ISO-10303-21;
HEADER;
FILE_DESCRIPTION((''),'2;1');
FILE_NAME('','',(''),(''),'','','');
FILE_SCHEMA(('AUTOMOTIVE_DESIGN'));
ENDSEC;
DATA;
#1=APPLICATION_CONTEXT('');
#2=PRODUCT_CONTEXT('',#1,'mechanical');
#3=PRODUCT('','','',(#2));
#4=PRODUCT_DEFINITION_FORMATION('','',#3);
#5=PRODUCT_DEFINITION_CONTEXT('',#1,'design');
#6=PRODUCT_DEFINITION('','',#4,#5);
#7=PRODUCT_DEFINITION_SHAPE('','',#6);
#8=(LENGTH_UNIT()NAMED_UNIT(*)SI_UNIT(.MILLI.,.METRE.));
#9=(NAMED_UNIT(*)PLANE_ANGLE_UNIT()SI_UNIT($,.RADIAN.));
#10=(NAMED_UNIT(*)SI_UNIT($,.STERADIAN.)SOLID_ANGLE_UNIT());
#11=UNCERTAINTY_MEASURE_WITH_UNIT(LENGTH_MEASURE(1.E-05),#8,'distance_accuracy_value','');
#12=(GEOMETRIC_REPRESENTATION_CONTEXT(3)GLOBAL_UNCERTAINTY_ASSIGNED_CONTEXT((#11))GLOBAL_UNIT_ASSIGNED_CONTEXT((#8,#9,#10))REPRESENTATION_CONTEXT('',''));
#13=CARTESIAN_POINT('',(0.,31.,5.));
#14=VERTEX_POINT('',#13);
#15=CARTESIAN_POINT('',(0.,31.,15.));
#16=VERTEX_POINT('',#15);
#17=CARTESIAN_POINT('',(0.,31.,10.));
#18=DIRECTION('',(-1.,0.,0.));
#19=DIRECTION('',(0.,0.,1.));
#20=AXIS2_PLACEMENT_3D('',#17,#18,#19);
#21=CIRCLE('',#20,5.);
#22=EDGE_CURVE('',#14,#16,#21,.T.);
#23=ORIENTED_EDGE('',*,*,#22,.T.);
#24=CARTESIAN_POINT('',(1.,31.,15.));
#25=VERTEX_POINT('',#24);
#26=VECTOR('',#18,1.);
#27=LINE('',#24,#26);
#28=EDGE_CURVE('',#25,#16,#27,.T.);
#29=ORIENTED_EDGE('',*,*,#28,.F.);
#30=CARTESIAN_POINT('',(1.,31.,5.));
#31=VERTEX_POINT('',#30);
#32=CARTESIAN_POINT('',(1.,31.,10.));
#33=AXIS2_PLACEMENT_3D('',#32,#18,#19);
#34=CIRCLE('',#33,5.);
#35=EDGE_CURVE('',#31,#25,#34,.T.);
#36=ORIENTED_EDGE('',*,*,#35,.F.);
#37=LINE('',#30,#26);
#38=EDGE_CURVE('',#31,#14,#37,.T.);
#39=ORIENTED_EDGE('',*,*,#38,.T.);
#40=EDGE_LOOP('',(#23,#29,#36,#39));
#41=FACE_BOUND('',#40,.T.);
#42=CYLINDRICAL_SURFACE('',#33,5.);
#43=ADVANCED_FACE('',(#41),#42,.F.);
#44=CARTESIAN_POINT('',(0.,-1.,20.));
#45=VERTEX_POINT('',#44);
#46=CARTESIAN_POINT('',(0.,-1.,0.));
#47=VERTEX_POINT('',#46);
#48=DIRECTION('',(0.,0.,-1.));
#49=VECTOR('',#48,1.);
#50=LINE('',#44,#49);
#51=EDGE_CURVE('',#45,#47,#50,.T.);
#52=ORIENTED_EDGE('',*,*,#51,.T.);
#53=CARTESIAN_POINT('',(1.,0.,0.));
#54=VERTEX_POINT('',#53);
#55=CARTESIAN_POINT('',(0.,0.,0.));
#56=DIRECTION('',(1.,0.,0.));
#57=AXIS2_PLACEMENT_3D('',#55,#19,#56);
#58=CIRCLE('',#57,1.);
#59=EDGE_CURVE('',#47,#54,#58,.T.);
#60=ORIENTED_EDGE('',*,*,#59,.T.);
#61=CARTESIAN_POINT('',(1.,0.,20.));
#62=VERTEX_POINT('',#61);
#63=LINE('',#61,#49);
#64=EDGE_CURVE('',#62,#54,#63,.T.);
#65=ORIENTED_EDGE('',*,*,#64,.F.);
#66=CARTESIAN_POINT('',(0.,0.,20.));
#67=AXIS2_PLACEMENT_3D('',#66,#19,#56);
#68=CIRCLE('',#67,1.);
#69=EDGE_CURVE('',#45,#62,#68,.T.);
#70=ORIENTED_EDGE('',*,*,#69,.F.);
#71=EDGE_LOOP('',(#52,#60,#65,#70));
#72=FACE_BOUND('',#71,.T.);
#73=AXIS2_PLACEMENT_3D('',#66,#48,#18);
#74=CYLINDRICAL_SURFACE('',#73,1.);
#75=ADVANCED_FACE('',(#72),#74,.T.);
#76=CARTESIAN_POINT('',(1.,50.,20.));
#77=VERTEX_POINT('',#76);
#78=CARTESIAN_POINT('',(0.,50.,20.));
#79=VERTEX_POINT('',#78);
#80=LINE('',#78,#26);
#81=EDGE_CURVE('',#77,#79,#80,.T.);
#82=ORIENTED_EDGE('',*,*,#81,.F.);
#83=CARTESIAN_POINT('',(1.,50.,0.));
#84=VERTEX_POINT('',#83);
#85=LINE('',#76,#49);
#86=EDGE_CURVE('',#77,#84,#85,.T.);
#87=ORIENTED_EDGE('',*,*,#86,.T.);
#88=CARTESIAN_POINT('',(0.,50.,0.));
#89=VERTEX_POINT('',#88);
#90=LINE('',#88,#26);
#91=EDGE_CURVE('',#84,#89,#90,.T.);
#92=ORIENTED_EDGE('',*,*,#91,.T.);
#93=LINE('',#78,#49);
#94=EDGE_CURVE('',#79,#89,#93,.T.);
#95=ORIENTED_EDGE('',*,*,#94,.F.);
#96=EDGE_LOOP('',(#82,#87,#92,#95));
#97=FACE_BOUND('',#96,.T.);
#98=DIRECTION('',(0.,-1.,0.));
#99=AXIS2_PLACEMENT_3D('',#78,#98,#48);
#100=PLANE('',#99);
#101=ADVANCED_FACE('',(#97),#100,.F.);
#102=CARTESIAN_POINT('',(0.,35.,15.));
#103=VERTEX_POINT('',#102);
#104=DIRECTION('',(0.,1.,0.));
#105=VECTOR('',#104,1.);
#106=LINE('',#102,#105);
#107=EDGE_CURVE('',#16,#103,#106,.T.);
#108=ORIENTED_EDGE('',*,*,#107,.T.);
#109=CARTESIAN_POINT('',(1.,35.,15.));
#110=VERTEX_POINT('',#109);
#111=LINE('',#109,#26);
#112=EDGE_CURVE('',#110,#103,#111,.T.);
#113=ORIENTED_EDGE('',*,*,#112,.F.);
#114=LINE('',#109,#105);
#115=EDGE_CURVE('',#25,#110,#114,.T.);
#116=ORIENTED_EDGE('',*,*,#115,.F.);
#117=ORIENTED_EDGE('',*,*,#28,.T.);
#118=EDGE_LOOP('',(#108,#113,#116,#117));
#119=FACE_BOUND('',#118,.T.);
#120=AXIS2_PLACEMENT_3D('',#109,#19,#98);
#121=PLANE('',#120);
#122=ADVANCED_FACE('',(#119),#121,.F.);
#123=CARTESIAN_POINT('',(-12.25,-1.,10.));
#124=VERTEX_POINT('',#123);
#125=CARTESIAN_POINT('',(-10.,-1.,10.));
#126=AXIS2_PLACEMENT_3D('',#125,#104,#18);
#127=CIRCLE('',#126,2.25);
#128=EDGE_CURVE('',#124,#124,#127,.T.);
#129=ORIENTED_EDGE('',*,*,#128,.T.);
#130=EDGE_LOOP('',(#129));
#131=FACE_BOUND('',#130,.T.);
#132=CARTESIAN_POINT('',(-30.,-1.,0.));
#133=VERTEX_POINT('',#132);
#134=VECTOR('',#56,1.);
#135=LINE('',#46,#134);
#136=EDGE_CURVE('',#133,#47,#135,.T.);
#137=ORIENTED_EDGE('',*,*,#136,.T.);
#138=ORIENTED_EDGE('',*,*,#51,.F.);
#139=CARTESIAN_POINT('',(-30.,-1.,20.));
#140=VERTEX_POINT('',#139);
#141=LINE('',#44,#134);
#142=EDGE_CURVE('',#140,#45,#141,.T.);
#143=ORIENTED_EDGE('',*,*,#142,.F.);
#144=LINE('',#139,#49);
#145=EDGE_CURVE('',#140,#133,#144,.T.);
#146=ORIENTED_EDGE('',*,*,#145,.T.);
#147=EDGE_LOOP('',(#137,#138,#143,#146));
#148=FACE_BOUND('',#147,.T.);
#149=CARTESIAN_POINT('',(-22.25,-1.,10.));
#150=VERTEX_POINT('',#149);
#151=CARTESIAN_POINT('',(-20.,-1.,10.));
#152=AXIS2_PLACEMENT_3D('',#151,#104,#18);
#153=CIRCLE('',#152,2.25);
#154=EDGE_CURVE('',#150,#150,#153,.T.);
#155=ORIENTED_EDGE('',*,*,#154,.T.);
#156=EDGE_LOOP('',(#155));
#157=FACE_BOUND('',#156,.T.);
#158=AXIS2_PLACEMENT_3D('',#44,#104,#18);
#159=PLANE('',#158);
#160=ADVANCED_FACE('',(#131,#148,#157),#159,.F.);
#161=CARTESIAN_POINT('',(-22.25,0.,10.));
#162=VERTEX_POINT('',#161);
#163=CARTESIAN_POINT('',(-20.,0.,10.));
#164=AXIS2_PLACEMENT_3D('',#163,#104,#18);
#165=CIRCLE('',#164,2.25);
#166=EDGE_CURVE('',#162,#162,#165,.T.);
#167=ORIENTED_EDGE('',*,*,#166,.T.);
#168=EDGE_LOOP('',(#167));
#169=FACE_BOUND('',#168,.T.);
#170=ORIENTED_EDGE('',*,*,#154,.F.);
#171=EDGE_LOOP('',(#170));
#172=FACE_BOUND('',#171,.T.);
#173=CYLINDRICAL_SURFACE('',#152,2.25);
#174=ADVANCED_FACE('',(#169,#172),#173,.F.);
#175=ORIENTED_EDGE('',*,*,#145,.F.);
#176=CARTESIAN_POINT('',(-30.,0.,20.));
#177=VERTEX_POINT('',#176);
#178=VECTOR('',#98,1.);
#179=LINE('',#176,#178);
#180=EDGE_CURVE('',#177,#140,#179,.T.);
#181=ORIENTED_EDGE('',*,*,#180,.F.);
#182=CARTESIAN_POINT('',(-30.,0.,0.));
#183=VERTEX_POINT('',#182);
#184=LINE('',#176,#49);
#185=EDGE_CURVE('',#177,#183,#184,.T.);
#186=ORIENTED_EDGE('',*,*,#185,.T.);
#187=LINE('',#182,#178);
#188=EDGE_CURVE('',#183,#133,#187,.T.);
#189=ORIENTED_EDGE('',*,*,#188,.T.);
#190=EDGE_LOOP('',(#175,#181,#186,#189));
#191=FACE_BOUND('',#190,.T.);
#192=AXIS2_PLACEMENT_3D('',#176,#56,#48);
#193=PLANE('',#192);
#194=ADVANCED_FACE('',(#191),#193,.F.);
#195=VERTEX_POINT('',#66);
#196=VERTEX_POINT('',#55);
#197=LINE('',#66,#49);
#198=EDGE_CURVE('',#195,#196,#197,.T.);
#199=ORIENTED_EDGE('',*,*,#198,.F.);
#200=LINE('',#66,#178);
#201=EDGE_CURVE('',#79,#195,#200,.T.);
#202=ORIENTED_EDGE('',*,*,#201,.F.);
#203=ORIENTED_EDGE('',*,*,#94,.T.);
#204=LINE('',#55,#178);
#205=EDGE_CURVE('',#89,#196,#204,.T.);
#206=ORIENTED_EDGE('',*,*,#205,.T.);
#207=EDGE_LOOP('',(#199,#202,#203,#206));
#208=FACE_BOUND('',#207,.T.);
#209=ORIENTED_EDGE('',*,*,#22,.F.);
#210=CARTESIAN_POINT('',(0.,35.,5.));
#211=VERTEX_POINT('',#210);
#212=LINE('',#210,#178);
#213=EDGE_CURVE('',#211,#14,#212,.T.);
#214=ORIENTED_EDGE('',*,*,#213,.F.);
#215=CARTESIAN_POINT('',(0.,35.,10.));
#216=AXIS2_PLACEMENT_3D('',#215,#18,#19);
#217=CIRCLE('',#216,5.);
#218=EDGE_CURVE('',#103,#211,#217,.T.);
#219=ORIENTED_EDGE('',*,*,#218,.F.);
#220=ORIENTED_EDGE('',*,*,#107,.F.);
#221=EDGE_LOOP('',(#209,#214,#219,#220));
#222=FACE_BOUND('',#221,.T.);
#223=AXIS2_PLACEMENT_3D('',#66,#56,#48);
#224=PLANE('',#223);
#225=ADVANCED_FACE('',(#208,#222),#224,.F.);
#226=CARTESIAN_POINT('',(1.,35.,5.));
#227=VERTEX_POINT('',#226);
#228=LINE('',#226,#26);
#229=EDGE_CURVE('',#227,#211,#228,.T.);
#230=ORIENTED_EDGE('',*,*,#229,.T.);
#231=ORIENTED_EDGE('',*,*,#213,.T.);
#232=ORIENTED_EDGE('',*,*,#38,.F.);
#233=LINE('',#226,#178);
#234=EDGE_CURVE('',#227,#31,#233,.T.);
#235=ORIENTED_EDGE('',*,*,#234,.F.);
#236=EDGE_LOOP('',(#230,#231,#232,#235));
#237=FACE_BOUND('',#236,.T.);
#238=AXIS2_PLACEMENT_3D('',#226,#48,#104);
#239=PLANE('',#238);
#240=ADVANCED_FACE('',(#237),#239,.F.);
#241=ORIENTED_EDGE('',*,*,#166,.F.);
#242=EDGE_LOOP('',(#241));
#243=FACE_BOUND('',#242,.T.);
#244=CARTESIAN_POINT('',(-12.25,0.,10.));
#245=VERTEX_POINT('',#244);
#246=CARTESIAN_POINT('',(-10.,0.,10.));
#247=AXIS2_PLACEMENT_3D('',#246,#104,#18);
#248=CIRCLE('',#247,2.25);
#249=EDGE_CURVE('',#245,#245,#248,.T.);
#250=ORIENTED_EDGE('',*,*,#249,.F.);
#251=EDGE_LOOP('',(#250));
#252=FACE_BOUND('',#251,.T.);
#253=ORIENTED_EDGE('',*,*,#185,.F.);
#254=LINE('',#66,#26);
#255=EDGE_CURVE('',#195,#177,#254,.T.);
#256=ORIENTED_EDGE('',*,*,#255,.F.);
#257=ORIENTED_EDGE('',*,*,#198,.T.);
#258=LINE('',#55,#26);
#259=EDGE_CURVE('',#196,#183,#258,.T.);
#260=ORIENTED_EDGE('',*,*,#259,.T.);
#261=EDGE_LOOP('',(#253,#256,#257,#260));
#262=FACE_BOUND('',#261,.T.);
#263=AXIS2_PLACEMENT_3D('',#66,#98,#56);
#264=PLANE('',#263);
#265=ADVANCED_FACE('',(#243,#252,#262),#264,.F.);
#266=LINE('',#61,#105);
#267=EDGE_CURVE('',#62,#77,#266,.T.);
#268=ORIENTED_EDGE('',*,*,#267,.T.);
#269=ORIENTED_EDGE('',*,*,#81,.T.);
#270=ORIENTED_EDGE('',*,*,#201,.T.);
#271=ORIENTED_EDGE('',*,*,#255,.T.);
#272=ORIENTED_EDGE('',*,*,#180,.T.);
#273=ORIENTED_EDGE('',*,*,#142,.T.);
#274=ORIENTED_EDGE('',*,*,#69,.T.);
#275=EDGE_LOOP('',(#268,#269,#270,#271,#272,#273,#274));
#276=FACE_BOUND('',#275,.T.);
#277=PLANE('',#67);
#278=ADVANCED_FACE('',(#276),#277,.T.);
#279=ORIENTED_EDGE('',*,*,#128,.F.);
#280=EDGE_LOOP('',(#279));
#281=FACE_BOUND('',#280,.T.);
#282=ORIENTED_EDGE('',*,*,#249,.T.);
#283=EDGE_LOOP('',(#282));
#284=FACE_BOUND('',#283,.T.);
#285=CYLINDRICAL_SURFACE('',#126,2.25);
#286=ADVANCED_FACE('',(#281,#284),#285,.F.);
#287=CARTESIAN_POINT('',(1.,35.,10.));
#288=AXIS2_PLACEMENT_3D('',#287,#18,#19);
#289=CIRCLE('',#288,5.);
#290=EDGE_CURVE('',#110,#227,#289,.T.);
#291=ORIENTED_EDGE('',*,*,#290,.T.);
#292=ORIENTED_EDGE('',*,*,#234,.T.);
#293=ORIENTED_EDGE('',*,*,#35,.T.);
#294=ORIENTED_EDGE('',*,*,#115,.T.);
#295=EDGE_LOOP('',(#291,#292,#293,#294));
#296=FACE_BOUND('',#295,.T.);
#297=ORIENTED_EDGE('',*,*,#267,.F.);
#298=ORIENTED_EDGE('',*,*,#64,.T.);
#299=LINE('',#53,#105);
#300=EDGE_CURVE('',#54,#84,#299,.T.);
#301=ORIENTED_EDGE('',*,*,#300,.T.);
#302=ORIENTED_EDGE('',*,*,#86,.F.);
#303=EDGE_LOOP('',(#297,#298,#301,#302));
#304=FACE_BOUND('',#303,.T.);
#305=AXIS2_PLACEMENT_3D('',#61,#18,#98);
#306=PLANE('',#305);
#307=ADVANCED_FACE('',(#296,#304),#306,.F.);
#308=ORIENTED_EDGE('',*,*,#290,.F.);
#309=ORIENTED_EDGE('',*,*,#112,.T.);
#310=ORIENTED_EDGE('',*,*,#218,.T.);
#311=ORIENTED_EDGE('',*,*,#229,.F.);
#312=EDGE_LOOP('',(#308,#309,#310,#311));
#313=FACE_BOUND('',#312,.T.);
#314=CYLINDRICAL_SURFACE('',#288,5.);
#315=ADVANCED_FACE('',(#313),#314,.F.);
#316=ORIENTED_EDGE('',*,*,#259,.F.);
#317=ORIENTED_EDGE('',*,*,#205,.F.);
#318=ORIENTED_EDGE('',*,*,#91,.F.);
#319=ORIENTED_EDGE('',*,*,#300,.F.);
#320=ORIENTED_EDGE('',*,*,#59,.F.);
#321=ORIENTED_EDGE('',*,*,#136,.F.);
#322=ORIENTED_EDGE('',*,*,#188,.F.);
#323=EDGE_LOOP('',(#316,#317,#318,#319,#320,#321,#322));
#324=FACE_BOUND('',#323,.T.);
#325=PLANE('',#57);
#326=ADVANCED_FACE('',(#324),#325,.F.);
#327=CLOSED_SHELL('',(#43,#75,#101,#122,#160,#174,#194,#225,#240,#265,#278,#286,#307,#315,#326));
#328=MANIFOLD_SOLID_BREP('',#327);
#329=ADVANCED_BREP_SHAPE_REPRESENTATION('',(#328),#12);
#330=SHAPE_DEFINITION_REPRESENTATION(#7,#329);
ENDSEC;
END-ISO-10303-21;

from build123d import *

# Parameters (mm, degrees)
EXTRUSION1_DEPTH        = 20
ENL_V_MAT_EXTRU_1_DEPTH = 62.64414003
ESQUISSE3_R             = 2.25
ENL_V_MAT_EXTRU_2_DEPTH = 62.64414003


with BuildPart() as part:
    # Esquisse1 → Extrusion1 (new body)
    with BuildSketch(Plane.XY):
        with BuildLine():
            Line((0, 0), (0, 50))
            Line((0, 50), (1, 50))
            Line((1, 50), (1, 0))
            ThreePointArc((1, 0), (0.707106781, -0.707106781), (0, -1))
            Line((0, -1), (-30, -1))
            Line((-30, -1), (-30, 0))
            Line((-30, 0), (0, 0))
        make_face()
    extrude(amount=EXTRUSION1_DEPTH)

    # Esquisse2 → Enlèv. mat.-Extru.1 (cut, through all)
    with BuildSketch(Plane.ZY):
        with BuildLine():
            Line((5, 35), (5, 31))
            ThreePointArc((5, 31), (10, 26), (15, 31))
            Line((15, 31), (15, 35))
            ThreePointArc((15, 35), (10, 40), (5, 35))
        make_face()
    extrude(amount=-ENL_V_MAT_EXTRU_1_DEPTH, mode=Mode.SUBTRACT)

    # Esquisse3 → Enlèv. mat.-Extru.2 (cut, through all)
    with BuildSketch(Plane(origin=(0, 0, 0), x_dir=(-1, 0, 0), z_dir=(0, 1, 0))):
        with Locations((10, 10)):
            Circle(ESQUISSE3_R)
        with Locations((20, 10)):
            Circle(ESQUISSE3_R)
    extrude(amount=-ENL_V_MAT_EXTRU_2_DEPTH, mode=Mode.SUBTRACT)


solid = part.part
